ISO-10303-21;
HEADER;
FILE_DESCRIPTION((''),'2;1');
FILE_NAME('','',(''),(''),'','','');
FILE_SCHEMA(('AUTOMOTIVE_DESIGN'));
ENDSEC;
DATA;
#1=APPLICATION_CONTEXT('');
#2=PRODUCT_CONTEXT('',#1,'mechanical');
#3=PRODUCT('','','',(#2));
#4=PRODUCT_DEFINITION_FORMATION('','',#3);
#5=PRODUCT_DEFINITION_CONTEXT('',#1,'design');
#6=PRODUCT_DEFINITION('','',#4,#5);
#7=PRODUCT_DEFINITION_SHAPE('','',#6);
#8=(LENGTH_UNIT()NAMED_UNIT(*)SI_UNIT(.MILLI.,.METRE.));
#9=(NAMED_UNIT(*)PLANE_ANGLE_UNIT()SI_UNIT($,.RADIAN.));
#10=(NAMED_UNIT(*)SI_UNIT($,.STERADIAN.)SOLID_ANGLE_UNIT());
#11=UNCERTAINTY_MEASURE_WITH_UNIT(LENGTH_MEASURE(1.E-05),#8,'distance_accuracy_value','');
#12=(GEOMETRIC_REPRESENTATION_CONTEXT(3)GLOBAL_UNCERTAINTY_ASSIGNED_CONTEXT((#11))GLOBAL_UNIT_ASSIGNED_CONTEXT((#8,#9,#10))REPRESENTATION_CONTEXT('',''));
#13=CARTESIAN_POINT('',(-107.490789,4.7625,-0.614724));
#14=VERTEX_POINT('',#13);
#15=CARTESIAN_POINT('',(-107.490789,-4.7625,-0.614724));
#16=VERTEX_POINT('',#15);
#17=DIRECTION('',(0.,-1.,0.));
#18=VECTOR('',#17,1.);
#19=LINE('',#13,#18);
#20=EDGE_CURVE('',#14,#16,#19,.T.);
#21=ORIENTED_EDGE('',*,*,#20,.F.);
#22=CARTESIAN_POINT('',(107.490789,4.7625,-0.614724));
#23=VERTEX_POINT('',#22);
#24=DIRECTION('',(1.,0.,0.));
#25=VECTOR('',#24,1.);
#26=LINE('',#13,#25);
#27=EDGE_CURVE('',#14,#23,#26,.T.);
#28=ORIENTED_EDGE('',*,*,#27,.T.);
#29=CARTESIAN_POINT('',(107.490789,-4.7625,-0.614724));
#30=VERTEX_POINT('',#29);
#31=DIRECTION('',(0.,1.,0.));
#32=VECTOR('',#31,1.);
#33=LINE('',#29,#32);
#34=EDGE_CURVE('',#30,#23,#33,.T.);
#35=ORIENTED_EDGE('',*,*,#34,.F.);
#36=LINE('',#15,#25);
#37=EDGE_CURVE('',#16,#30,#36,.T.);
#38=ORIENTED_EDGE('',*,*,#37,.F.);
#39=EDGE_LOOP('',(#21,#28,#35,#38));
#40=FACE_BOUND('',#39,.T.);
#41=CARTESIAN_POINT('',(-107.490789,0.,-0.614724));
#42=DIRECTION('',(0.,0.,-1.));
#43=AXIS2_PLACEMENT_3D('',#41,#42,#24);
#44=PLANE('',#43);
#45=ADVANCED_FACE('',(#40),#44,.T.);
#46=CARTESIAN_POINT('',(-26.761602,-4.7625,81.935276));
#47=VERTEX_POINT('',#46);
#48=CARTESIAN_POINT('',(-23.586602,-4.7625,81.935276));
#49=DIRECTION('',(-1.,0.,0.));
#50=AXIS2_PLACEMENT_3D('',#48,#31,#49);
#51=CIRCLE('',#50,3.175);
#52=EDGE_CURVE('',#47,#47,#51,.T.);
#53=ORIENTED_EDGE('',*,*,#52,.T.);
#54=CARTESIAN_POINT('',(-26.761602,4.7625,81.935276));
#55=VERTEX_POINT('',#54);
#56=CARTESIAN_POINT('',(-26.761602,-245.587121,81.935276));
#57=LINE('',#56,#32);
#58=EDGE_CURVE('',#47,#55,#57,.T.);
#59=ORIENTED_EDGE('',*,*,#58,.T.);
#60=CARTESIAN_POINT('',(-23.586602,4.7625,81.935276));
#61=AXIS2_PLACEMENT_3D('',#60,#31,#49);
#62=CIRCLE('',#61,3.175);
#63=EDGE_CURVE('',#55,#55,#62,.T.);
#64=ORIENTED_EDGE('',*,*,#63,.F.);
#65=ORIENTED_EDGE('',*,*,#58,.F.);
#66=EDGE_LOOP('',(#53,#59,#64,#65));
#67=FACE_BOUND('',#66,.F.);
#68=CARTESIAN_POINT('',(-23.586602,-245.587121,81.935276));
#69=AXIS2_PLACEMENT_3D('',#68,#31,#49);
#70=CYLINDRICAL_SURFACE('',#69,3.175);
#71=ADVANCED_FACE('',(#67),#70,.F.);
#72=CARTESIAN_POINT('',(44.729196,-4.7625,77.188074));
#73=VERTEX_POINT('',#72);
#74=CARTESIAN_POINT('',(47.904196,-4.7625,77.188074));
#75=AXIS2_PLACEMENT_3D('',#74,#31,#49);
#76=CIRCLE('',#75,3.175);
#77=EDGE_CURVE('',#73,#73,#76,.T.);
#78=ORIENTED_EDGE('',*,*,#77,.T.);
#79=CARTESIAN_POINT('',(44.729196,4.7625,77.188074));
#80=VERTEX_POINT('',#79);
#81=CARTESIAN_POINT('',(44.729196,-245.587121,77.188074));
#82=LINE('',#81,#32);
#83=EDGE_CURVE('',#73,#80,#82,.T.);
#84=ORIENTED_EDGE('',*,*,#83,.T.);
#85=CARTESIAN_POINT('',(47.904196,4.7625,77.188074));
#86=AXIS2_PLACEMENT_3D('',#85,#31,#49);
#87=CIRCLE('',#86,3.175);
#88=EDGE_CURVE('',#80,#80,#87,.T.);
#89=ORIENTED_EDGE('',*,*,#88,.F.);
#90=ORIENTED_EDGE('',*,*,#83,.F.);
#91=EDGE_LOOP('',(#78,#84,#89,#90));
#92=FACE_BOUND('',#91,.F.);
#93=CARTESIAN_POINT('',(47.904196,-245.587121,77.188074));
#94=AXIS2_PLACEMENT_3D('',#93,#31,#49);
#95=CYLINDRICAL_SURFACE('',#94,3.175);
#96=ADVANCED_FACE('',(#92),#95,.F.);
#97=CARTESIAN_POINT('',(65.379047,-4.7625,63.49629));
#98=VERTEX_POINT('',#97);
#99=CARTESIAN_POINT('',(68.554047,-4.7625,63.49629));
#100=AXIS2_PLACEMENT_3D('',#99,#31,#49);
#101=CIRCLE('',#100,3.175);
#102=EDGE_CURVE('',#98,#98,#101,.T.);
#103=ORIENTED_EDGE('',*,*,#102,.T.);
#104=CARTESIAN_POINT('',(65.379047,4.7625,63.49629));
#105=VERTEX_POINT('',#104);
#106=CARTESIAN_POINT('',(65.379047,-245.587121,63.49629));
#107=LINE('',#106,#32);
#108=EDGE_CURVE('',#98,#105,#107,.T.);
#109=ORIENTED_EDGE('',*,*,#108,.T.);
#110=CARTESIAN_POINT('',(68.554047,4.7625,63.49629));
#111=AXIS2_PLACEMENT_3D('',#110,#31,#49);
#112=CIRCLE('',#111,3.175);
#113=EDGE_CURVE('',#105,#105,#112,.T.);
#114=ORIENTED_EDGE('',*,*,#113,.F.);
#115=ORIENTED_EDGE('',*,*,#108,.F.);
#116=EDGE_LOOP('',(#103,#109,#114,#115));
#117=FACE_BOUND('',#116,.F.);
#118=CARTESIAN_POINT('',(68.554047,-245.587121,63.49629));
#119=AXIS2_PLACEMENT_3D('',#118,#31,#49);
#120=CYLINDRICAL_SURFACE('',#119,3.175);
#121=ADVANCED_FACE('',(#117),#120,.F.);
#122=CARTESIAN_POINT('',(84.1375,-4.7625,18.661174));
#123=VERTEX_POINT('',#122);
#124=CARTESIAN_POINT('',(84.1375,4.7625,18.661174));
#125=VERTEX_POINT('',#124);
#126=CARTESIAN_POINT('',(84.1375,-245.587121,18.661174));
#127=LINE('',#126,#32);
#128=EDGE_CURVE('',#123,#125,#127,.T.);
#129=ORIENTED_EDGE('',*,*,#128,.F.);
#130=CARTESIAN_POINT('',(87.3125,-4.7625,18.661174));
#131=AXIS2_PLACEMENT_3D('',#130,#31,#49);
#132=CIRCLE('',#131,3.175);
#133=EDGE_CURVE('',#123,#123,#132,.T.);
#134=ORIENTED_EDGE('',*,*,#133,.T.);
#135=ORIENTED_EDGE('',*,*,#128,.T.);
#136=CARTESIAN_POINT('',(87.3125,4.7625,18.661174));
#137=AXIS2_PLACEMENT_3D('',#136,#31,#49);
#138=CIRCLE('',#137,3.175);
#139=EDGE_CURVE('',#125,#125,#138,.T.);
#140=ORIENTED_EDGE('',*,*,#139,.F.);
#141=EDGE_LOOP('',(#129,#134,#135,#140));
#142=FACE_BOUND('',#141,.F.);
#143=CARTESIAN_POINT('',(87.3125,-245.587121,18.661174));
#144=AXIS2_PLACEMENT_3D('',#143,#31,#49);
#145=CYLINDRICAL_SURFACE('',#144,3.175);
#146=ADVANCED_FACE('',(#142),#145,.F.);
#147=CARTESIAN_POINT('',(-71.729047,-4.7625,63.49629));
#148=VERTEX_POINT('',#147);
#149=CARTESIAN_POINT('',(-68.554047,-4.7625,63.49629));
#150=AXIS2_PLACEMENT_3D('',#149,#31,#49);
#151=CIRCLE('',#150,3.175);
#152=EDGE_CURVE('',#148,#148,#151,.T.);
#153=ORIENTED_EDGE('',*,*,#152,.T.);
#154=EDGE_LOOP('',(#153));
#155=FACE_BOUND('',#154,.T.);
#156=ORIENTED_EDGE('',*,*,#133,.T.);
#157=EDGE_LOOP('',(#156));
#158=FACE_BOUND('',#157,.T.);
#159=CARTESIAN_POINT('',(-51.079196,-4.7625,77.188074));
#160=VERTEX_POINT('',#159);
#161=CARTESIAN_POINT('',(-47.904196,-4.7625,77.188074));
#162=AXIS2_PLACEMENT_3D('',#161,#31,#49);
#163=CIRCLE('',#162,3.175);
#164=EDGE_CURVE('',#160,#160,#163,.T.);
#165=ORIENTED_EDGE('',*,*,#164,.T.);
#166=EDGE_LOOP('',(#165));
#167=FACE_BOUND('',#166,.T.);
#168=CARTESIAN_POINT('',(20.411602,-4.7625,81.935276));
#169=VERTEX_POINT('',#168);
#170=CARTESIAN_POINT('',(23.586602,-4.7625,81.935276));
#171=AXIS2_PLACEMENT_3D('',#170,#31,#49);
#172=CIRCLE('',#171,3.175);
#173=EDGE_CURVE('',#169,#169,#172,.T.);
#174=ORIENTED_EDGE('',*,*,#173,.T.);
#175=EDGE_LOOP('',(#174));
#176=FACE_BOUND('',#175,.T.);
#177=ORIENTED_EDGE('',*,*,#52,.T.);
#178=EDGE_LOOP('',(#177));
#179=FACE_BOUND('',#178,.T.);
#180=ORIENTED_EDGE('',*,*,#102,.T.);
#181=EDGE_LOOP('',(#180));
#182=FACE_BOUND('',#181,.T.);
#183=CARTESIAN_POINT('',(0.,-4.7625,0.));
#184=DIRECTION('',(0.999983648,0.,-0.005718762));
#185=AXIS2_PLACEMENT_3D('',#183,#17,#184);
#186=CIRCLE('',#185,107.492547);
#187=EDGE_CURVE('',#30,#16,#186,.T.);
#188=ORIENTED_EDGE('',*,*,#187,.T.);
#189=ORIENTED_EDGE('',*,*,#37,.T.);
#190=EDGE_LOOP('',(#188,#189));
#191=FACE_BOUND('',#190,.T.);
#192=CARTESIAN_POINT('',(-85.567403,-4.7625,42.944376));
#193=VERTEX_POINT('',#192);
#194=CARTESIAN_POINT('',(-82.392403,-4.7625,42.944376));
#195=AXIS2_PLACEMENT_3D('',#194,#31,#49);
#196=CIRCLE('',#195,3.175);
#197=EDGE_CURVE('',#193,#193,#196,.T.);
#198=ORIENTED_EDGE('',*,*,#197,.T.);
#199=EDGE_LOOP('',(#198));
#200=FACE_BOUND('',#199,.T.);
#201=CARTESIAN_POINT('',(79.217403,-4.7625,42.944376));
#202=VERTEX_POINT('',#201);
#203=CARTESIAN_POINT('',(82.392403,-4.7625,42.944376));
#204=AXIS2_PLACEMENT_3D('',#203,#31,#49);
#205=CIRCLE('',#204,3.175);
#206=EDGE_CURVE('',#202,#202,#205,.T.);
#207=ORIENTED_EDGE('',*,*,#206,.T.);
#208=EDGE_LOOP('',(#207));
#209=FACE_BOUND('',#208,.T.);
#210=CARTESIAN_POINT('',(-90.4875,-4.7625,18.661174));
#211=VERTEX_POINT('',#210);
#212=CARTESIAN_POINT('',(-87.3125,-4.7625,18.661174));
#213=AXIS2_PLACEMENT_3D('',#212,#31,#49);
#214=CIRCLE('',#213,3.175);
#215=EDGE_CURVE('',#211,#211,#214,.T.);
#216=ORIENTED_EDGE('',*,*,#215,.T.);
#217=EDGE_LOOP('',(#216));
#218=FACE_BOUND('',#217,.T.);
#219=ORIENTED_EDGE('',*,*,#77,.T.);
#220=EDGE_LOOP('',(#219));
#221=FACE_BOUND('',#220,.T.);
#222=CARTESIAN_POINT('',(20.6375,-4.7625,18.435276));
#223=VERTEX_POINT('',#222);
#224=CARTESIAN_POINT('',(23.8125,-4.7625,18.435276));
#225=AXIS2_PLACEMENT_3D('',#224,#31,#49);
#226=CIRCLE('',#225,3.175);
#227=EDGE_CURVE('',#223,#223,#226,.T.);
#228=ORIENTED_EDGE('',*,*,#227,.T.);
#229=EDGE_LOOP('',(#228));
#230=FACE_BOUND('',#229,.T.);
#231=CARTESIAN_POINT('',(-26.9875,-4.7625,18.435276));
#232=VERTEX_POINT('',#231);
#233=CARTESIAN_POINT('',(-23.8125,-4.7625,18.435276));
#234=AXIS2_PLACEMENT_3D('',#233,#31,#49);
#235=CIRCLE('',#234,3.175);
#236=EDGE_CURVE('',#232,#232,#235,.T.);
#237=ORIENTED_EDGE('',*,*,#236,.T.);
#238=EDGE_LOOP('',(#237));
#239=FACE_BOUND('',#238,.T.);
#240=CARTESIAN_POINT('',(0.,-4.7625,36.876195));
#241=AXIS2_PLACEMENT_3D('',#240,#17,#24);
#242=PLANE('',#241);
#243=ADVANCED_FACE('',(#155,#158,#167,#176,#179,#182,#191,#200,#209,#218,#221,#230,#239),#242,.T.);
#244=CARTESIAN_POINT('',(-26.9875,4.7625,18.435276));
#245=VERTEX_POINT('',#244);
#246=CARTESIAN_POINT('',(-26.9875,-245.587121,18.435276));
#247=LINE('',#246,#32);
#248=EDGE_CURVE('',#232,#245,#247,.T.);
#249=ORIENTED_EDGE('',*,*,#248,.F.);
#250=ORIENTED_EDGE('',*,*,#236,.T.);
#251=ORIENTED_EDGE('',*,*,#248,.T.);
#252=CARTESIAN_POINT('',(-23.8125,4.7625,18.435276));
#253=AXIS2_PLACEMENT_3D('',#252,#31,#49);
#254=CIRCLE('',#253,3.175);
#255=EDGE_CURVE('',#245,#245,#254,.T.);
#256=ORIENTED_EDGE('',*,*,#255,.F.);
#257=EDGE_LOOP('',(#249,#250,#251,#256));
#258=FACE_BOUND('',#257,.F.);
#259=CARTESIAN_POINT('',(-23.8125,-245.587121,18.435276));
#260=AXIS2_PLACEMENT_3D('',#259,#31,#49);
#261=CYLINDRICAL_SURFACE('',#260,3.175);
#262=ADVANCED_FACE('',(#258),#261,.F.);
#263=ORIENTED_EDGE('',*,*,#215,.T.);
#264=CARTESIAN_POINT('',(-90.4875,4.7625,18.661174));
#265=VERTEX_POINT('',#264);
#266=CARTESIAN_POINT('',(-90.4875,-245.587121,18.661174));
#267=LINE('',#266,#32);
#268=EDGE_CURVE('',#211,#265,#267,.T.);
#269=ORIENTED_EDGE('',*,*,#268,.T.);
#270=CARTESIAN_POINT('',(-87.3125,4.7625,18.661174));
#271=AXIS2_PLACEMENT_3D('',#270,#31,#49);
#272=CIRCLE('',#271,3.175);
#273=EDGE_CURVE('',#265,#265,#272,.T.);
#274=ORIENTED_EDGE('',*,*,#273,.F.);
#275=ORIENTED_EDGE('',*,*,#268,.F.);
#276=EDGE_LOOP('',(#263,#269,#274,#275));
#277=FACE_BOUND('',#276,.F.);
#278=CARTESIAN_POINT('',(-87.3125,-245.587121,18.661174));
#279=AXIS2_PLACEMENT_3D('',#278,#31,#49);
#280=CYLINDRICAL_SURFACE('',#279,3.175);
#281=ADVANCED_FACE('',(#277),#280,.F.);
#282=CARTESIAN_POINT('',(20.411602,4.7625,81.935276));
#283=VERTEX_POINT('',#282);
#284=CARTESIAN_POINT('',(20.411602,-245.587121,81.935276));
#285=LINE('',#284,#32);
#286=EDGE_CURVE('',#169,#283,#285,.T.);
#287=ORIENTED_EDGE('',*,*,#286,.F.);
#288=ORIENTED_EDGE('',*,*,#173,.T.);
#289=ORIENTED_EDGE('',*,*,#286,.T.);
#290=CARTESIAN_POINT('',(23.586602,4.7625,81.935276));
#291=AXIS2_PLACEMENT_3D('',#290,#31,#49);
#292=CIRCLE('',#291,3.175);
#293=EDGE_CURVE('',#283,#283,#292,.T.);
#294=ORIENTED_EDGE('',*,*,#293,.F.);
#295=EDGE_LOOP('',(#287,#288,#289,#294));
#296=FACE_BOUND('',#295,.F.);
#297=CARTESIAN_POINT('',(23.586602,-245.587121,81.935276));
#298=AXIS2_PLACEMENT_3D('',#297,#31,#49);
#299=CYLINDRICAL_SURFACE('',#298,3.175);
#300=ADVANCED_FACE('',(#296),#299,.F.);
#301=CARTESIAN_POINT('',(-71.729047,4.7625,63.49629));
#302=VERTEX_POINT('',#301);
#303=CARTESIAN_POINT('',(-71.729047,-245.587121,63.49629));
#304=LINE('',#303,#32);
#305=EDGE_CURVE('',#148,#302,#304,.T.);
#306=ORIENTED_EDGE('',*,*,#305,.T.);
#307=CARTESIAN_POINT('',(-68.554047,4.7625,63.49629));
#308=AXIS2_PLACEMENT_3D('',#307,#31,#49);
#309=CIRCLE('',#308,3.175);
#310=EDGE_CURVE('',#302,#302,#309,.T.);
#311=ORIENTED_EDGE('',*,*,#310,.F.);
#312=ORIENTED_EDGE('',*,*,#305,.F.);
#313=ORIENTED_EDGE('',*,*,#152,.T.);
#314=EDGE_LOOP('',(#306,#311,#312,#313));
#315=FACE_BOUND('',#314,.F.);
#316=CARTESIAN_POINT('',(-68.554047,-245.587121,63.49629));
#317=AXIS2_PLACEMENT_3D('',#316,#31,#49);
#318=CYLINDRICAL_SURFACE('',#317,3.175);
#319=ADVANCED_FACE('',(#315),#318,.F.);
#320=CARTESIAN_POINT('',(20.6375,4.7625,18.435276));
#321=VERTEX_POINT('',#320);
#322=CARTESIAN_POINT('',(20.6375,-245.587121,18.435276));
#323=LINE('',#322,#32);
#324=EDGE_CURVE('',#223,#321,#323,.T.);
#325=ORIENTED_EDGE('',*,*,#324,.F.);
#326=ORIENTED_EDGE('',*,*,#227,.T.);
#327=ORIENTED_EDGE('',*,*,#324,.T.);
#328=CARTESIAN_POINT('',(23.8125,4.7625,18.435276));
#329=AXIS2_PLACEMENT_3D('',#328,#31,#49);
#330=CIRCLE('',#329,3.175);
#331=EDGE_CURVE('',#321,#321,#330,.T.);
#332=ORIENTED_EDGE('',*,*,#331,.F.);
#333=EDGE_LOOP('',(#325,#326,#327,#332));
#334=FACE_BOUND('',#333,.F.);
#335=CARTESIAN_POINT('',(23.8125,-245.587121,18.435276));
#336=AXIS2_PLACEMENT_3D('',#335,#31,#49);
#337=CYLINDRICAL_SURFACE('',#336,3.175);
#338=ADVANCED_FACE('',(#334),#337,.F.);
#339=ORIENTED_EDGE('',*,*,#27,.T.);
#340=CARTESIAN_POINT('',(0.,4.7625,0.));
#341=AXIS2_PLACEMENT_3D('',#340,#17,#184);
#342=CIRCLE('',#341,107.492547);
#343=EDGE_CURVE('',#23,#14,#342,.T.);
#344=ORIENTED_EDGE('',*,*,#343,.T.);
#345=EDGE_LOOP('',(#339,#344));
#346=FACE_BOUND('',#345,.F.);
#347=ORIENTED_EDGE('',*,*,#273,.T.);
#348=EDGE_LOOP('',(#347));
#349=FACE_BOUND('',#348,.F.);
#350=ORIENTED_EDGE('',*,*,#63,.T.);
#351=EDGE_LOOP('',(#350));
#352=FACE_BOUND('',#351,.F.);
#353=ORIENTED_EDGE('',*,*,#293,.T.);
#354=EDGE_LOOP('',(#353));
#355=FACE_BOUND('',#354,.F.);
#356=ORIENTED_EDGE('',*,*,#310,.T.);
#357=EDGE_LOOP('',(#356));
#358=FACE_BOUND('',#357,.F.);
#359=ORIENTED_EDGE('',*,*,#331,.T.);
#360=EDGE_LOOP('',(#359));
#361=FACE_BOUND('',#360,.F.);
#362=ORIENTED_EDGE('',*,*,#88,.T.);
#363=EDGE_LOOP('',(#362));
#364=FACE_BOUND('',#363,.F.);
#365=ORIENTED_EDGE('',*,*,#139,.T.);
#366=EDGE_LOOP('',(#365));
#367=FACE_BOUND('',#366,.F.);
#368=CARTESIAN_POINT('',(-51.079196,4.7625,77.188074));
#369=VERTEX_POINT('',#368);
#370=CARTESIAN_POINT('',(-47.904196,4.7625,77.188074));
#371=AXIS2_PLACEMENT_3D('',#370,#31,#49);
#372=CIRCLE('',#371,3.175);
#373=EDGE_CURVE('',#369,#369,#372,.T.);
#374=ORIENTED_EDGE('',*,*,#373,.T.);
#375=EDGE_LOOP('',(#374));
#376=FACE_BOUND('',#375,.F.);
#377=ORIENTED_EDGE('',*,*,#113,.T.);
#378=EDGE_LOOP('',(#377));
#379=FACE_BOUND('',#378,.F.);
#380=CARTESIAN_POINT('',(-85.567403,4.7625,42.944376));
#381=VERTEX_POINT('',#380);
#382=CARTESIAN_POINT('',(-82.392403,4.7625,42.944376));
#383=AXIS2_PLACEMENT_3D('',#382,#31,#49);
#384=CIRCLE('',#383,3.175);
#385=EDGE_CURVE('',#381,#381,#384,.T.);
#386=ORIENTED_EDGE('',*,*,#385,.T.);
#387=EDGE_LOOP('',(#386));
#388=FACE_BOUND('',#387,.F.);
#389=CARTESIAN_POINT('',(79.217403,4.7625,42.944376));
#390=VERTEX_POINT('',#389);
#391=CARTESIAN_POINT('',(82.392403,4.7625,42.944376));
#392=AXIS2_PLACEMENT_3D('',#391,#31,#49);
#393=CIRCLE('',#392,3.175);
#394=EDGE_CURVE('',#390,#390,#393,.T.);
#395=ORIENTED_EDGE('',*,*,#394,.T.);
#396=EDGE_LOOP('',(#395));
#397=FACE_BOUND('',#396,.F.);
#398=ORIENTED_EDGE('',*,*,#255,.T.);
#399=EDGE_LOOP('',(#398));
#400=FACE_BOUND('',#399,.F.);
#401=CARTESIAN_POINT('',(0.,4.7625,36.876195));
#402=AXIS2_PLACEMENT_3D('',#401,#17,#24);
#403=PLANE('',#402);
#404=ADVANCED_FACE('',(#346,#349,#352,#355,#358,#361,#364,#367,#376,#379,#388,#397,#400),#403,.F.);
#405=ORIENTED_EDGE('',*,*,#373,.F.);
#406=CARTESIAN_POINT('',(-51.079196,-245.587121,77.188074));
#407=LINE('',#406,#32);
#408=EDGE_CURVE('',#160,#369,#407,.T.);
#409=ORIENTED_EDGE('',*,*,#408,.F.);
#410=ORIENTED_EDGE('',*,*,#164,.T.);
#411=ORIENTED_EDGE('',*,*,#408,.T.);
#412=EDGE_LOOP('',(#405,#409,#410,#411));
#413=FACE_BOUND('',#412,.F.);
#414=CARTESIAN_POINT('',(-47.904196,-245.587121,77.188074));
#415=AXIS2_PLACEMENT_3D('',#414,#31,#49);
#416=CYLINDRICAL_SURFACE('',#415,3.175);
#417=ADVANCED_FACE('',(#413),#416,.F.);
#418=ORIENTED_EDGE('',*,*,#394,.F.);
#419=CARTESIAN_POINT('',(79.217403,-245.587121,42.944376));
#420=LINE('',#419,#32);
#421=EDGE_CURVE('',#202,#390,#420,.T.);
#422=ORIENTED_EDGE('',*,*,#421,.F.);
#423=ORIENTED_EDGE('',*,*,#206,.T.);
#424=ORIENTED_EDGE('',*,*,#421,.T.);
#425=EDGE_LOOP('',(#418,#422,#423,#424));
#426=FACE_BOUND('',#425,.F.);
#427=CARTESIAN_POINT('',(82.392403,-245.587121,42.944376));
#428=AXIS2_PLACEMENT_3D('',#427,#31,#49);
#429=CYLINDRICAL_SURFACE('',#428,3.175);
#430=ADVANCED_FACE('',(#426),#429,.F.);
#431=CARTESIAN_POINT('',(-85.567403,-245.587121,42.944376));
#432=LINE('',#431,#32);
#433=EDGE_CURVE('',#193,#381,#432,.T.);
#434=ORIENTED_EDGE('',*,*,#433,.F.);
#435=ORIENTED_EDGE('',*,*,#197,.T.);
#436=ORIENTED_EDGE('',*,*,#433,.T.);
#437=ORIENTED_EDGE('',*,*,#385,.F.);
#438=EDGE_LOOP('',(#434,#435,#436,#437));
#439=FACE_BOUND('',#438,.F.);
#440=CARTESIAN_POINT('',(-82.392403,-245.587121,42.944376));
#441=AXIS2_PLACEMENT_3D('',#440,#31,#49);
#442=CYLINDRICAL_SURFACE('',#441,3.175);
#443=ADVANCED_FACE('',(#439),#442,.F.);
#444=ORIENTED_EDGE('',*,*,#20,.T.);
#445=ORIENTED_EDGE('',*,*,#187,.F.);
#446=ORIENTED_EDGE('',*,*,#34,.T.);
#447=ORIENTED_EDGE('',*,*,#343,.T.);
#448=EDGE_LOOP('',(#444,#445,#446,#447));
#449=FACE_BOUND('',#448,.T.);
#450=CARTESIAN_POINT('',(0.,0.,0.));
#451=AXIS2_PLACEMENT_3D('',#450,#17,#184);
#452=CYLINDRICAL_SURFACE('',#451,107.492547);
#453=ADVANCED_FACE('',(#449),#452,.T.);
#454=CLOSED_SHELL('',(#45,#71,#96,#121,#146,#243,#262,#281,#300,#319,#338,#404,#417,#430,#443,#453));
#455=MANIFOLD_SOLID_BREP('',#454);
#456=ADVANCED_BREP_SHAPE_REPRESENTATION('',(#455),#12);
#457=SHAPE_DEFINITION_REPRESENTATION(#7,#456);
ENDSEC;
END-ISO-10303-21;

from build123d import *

# Parameters (mm, degrees)
F1_DEPTH = 4.7625
F3_D     = 6.35


with BuildPart() as f1:
    # F0 (on Front) → F1 (new body, symmetric)
    with BuildSketch(Plane.XZ):
        with BuildLine():
            ThreePointArc((107.490789, -0.614724), (0, 107.492547), (-107.490789, -0.614724))
            Line((-107.490789, -0.614724), (107.490789, -0.614724))
        make_face()
    extrude(amount=F1_DEPTH, both=True)

    # F3 (through all)
    with Locations(Plane.XZ.offset(4.7625)):
        with Locations((23.8125, 18.435276), (87.3125, 18.661174), (47.904196, 77.188074), (23.586602, 81.935276), (68.554047, 63.49629), (82.392403, 42.944376), (-23.8125, 18.435276), (-23.586602, 81.935276), (-47.904196, 77.188074), (-68.554047, 63.49629), (-82.392403, 42.944376), (-87.3125, 18.661174)):
            Hole(F3_D / 2)


solid = f1.part
